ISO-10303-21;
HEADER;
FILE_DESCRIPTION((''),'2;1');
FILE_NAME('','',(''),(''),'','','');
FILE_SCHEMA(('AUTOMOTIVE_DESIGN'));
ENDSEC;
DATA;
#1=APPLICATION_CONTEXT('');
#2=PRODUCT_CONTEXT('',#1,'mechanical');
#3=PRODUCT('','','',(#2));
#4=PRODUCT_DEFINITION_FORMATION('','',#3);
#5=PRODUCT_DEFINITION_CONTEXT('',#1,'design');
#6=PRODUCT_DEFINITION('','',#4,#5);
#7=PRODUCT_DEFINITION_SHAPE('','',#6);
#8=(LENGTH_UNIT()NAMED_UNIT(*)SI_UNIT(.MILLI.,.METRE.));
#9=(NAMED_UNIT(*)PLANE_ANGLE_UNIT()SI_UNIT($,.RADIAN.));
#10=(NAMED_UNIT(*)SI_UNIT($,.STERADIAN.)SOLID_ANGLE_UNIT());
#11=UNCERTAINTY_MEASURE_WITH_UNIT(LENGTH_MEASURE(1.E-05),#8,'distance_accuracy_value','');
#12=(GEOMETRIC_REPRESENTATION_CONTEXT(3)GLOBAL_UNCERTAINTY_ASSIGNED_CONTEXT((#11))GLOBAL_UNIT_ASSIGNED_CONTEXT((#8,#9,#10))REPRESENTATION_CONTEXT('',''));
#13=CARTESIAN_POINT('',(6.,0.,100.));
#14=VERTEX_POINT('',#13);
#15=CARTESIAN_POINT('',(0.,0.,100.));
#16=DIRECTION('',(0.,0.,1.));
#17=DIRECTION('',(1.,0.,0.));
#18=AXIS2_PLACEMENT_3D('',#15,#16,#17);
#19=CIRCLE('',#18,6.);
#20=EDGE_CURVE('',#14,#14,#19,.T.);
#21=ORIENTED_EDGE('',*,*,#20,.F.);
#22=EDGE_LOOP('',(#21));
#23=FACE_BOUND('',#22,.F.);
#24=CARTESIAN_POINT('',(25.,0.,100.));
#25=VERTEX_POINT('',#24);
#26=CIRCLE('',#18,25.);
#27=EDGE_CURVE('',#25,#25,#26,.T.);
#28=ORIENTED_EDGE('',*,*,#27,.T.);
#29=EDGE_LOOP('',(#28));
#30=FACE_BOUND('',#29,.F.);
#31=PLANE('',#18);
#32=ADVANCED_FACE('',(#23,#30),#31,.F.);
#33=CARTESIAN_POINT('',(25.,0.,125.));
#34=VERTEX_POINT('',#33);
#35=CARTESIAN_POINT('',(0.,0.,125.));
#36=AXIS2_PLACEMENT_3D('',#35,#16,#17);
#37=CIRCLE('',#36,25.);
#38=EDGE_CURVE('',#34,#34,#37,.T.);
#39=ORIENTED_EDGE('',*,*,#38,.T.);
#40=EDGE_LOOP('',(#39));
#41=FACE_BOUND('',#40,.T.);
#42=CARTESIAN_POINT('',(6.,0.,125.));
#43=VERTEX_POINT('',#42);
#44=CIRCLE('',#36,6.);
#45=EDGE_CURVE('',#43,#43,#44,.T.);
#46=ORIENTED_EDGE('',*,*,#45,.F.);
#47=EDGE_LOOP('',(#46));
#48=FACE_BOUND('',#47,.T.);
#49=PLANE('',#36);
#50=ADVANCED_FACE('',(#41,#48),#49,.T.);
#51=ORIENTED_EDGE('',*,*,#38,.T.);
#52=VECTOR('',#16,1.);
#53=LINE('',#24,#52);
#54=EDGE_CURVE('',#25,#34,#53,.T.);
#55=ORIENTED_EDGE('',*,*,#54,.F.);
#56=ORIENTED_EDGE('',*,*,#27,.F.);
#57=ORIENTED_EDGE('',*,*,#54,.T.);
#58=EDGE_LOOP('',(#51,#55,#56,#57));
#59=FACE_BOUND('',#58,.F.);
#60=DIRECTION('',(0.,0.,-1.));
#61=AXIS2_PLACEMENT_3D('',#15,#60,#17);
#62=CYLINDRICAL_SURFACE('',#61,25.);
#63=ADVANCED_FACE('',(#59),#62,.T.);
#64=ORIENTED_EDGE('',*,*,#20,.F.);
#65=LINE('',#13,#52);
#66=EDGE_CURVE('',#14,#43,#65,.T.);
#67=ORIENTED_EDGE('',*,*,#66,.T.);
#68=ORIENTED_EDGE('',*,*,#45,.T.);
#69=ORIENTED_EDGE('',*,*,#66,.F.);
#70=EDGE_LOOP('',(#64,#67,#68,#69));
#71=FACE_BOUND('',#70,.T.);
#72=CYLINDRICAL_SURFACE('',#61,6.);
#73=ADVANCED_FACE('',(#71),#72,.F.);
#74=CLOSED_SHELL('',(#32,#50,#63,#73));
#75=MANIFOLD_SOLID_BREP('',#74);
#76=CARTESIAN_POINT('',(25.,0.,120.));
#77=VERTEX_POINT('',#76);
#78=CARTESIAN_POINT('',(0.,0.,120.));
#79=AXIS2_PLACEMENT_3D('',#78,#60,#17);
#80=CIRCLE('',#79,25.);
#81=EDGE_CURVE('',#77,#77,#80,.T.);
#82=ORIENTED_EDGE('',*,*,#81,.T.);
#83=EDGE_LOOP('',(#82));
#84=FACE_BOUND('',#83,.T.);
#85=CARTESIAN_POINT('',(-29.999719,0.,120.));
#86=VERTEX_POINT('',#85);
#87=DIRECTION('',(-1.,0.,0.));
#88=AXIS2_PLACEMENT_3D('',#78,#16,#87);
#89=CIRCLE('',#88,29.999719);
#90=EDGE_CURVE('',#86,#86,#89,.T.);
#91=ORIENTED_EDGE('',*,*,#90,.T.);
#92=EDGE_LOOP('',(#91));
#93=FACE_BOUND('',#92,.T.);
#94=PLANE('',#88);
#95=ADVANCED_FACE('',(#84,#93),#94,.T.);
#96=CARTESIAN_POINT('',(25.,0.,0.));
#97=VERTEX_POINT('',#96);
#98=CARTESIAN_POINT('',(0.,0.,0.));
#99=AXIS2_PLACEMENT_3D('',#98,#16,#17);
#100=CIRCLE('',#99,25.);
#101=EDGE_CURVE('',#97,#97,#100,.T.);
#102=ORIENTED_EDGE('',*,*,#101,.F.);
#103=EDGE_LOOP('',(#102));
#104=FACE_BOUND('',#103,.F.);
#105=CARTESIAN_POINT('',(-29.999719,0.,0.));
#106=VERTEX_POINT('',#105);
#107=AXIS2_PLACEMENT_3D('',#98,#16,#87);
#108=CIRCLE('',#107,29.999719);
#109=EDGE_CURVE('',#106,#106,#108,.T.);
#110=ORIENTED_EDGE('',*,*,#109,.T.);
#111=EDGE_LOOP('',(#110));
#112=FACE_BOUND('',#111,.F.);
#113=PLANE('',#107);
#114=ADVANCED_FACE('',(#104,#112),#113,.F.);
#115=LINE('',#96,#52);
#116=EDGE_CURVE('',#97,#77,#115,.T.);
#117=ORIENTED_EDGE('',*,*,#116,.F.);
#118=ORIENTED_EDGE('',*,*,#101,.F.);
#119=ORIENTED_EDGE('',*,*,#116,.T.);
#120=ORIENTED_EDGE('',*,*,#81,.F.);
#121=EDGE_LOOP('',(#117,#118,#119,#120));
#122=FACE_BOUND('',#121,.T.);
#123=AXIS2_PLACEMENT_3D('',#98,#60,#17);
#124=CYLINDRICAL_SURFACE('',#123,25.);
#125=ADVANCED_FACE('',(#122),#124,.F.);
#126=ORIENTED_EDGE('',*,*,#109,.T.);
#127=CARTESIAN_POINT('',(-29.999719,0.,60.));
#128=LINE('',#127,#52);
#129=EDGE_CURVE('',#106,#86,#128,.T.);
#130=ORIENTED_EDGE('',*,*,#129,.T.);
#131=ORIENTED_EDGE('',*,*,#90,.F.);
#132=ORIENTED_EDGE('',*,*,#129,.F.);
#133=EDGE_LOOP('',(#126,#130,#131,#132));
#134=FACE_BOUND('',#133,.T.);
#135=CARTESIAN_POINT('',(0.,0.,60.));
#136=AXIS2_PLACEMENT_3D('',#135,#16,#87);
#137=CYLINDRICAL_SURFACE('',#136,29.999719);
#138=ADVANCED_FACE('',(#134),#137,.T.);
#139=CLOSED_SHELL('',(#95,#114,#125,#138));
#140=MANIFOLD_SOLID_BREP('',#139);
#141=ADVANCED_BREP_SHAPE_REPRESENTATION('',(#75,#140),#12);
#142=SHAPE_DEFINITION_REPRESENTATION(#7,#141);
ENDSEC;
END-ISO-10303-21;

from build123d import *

# Parameters (mm, degrees)
F0_W     = 29.9997191348
F0_H     = 120
F2_R     = 25
F3_DEPTH = 120.001
F4_R     = 5
F5_DEPTH = 120.001
F7_R     = 25
F7_R_2   = 6
F8_DEPTH = 25


with BuildPart() as f1:
    # F0 (on Front) → F1 (revolve)
    with BuildSketch(Plane.XZ):
        with Locations((-14.9998595674, 60)):
            Rectangle(F0_W, F0_H)
    revolve(axis=Axis((0, 0, 60), (0, 0, 1)))

    # F2 (on Top) → F3 (cut, through all)
    with BuildSketch(Plane.XY):
        Circle(F2_R)
    extrude(amount=F3_DEPTH, mode=Mode.SUBTRACT)

    # F4 (on Top) → F5 (cut, through all)
    with BuildSketch(Plane.XY):
        Circle(F4_R)
    extrude(amount=F5_DEPTH, mode=Mode.SUBTRACT)


with BuildPart() as f8:
    # F7 (on offset) → F8 (new body)
    with BuildSketch(Plane.XY.offset(100)):
        Circle(F7_R)
        Circle(F7_R_2, mode=Mode.SUBTRACT)
    extrude(amount=F8_DEPTH)


solid = Compound([f1.part, f8.part])
